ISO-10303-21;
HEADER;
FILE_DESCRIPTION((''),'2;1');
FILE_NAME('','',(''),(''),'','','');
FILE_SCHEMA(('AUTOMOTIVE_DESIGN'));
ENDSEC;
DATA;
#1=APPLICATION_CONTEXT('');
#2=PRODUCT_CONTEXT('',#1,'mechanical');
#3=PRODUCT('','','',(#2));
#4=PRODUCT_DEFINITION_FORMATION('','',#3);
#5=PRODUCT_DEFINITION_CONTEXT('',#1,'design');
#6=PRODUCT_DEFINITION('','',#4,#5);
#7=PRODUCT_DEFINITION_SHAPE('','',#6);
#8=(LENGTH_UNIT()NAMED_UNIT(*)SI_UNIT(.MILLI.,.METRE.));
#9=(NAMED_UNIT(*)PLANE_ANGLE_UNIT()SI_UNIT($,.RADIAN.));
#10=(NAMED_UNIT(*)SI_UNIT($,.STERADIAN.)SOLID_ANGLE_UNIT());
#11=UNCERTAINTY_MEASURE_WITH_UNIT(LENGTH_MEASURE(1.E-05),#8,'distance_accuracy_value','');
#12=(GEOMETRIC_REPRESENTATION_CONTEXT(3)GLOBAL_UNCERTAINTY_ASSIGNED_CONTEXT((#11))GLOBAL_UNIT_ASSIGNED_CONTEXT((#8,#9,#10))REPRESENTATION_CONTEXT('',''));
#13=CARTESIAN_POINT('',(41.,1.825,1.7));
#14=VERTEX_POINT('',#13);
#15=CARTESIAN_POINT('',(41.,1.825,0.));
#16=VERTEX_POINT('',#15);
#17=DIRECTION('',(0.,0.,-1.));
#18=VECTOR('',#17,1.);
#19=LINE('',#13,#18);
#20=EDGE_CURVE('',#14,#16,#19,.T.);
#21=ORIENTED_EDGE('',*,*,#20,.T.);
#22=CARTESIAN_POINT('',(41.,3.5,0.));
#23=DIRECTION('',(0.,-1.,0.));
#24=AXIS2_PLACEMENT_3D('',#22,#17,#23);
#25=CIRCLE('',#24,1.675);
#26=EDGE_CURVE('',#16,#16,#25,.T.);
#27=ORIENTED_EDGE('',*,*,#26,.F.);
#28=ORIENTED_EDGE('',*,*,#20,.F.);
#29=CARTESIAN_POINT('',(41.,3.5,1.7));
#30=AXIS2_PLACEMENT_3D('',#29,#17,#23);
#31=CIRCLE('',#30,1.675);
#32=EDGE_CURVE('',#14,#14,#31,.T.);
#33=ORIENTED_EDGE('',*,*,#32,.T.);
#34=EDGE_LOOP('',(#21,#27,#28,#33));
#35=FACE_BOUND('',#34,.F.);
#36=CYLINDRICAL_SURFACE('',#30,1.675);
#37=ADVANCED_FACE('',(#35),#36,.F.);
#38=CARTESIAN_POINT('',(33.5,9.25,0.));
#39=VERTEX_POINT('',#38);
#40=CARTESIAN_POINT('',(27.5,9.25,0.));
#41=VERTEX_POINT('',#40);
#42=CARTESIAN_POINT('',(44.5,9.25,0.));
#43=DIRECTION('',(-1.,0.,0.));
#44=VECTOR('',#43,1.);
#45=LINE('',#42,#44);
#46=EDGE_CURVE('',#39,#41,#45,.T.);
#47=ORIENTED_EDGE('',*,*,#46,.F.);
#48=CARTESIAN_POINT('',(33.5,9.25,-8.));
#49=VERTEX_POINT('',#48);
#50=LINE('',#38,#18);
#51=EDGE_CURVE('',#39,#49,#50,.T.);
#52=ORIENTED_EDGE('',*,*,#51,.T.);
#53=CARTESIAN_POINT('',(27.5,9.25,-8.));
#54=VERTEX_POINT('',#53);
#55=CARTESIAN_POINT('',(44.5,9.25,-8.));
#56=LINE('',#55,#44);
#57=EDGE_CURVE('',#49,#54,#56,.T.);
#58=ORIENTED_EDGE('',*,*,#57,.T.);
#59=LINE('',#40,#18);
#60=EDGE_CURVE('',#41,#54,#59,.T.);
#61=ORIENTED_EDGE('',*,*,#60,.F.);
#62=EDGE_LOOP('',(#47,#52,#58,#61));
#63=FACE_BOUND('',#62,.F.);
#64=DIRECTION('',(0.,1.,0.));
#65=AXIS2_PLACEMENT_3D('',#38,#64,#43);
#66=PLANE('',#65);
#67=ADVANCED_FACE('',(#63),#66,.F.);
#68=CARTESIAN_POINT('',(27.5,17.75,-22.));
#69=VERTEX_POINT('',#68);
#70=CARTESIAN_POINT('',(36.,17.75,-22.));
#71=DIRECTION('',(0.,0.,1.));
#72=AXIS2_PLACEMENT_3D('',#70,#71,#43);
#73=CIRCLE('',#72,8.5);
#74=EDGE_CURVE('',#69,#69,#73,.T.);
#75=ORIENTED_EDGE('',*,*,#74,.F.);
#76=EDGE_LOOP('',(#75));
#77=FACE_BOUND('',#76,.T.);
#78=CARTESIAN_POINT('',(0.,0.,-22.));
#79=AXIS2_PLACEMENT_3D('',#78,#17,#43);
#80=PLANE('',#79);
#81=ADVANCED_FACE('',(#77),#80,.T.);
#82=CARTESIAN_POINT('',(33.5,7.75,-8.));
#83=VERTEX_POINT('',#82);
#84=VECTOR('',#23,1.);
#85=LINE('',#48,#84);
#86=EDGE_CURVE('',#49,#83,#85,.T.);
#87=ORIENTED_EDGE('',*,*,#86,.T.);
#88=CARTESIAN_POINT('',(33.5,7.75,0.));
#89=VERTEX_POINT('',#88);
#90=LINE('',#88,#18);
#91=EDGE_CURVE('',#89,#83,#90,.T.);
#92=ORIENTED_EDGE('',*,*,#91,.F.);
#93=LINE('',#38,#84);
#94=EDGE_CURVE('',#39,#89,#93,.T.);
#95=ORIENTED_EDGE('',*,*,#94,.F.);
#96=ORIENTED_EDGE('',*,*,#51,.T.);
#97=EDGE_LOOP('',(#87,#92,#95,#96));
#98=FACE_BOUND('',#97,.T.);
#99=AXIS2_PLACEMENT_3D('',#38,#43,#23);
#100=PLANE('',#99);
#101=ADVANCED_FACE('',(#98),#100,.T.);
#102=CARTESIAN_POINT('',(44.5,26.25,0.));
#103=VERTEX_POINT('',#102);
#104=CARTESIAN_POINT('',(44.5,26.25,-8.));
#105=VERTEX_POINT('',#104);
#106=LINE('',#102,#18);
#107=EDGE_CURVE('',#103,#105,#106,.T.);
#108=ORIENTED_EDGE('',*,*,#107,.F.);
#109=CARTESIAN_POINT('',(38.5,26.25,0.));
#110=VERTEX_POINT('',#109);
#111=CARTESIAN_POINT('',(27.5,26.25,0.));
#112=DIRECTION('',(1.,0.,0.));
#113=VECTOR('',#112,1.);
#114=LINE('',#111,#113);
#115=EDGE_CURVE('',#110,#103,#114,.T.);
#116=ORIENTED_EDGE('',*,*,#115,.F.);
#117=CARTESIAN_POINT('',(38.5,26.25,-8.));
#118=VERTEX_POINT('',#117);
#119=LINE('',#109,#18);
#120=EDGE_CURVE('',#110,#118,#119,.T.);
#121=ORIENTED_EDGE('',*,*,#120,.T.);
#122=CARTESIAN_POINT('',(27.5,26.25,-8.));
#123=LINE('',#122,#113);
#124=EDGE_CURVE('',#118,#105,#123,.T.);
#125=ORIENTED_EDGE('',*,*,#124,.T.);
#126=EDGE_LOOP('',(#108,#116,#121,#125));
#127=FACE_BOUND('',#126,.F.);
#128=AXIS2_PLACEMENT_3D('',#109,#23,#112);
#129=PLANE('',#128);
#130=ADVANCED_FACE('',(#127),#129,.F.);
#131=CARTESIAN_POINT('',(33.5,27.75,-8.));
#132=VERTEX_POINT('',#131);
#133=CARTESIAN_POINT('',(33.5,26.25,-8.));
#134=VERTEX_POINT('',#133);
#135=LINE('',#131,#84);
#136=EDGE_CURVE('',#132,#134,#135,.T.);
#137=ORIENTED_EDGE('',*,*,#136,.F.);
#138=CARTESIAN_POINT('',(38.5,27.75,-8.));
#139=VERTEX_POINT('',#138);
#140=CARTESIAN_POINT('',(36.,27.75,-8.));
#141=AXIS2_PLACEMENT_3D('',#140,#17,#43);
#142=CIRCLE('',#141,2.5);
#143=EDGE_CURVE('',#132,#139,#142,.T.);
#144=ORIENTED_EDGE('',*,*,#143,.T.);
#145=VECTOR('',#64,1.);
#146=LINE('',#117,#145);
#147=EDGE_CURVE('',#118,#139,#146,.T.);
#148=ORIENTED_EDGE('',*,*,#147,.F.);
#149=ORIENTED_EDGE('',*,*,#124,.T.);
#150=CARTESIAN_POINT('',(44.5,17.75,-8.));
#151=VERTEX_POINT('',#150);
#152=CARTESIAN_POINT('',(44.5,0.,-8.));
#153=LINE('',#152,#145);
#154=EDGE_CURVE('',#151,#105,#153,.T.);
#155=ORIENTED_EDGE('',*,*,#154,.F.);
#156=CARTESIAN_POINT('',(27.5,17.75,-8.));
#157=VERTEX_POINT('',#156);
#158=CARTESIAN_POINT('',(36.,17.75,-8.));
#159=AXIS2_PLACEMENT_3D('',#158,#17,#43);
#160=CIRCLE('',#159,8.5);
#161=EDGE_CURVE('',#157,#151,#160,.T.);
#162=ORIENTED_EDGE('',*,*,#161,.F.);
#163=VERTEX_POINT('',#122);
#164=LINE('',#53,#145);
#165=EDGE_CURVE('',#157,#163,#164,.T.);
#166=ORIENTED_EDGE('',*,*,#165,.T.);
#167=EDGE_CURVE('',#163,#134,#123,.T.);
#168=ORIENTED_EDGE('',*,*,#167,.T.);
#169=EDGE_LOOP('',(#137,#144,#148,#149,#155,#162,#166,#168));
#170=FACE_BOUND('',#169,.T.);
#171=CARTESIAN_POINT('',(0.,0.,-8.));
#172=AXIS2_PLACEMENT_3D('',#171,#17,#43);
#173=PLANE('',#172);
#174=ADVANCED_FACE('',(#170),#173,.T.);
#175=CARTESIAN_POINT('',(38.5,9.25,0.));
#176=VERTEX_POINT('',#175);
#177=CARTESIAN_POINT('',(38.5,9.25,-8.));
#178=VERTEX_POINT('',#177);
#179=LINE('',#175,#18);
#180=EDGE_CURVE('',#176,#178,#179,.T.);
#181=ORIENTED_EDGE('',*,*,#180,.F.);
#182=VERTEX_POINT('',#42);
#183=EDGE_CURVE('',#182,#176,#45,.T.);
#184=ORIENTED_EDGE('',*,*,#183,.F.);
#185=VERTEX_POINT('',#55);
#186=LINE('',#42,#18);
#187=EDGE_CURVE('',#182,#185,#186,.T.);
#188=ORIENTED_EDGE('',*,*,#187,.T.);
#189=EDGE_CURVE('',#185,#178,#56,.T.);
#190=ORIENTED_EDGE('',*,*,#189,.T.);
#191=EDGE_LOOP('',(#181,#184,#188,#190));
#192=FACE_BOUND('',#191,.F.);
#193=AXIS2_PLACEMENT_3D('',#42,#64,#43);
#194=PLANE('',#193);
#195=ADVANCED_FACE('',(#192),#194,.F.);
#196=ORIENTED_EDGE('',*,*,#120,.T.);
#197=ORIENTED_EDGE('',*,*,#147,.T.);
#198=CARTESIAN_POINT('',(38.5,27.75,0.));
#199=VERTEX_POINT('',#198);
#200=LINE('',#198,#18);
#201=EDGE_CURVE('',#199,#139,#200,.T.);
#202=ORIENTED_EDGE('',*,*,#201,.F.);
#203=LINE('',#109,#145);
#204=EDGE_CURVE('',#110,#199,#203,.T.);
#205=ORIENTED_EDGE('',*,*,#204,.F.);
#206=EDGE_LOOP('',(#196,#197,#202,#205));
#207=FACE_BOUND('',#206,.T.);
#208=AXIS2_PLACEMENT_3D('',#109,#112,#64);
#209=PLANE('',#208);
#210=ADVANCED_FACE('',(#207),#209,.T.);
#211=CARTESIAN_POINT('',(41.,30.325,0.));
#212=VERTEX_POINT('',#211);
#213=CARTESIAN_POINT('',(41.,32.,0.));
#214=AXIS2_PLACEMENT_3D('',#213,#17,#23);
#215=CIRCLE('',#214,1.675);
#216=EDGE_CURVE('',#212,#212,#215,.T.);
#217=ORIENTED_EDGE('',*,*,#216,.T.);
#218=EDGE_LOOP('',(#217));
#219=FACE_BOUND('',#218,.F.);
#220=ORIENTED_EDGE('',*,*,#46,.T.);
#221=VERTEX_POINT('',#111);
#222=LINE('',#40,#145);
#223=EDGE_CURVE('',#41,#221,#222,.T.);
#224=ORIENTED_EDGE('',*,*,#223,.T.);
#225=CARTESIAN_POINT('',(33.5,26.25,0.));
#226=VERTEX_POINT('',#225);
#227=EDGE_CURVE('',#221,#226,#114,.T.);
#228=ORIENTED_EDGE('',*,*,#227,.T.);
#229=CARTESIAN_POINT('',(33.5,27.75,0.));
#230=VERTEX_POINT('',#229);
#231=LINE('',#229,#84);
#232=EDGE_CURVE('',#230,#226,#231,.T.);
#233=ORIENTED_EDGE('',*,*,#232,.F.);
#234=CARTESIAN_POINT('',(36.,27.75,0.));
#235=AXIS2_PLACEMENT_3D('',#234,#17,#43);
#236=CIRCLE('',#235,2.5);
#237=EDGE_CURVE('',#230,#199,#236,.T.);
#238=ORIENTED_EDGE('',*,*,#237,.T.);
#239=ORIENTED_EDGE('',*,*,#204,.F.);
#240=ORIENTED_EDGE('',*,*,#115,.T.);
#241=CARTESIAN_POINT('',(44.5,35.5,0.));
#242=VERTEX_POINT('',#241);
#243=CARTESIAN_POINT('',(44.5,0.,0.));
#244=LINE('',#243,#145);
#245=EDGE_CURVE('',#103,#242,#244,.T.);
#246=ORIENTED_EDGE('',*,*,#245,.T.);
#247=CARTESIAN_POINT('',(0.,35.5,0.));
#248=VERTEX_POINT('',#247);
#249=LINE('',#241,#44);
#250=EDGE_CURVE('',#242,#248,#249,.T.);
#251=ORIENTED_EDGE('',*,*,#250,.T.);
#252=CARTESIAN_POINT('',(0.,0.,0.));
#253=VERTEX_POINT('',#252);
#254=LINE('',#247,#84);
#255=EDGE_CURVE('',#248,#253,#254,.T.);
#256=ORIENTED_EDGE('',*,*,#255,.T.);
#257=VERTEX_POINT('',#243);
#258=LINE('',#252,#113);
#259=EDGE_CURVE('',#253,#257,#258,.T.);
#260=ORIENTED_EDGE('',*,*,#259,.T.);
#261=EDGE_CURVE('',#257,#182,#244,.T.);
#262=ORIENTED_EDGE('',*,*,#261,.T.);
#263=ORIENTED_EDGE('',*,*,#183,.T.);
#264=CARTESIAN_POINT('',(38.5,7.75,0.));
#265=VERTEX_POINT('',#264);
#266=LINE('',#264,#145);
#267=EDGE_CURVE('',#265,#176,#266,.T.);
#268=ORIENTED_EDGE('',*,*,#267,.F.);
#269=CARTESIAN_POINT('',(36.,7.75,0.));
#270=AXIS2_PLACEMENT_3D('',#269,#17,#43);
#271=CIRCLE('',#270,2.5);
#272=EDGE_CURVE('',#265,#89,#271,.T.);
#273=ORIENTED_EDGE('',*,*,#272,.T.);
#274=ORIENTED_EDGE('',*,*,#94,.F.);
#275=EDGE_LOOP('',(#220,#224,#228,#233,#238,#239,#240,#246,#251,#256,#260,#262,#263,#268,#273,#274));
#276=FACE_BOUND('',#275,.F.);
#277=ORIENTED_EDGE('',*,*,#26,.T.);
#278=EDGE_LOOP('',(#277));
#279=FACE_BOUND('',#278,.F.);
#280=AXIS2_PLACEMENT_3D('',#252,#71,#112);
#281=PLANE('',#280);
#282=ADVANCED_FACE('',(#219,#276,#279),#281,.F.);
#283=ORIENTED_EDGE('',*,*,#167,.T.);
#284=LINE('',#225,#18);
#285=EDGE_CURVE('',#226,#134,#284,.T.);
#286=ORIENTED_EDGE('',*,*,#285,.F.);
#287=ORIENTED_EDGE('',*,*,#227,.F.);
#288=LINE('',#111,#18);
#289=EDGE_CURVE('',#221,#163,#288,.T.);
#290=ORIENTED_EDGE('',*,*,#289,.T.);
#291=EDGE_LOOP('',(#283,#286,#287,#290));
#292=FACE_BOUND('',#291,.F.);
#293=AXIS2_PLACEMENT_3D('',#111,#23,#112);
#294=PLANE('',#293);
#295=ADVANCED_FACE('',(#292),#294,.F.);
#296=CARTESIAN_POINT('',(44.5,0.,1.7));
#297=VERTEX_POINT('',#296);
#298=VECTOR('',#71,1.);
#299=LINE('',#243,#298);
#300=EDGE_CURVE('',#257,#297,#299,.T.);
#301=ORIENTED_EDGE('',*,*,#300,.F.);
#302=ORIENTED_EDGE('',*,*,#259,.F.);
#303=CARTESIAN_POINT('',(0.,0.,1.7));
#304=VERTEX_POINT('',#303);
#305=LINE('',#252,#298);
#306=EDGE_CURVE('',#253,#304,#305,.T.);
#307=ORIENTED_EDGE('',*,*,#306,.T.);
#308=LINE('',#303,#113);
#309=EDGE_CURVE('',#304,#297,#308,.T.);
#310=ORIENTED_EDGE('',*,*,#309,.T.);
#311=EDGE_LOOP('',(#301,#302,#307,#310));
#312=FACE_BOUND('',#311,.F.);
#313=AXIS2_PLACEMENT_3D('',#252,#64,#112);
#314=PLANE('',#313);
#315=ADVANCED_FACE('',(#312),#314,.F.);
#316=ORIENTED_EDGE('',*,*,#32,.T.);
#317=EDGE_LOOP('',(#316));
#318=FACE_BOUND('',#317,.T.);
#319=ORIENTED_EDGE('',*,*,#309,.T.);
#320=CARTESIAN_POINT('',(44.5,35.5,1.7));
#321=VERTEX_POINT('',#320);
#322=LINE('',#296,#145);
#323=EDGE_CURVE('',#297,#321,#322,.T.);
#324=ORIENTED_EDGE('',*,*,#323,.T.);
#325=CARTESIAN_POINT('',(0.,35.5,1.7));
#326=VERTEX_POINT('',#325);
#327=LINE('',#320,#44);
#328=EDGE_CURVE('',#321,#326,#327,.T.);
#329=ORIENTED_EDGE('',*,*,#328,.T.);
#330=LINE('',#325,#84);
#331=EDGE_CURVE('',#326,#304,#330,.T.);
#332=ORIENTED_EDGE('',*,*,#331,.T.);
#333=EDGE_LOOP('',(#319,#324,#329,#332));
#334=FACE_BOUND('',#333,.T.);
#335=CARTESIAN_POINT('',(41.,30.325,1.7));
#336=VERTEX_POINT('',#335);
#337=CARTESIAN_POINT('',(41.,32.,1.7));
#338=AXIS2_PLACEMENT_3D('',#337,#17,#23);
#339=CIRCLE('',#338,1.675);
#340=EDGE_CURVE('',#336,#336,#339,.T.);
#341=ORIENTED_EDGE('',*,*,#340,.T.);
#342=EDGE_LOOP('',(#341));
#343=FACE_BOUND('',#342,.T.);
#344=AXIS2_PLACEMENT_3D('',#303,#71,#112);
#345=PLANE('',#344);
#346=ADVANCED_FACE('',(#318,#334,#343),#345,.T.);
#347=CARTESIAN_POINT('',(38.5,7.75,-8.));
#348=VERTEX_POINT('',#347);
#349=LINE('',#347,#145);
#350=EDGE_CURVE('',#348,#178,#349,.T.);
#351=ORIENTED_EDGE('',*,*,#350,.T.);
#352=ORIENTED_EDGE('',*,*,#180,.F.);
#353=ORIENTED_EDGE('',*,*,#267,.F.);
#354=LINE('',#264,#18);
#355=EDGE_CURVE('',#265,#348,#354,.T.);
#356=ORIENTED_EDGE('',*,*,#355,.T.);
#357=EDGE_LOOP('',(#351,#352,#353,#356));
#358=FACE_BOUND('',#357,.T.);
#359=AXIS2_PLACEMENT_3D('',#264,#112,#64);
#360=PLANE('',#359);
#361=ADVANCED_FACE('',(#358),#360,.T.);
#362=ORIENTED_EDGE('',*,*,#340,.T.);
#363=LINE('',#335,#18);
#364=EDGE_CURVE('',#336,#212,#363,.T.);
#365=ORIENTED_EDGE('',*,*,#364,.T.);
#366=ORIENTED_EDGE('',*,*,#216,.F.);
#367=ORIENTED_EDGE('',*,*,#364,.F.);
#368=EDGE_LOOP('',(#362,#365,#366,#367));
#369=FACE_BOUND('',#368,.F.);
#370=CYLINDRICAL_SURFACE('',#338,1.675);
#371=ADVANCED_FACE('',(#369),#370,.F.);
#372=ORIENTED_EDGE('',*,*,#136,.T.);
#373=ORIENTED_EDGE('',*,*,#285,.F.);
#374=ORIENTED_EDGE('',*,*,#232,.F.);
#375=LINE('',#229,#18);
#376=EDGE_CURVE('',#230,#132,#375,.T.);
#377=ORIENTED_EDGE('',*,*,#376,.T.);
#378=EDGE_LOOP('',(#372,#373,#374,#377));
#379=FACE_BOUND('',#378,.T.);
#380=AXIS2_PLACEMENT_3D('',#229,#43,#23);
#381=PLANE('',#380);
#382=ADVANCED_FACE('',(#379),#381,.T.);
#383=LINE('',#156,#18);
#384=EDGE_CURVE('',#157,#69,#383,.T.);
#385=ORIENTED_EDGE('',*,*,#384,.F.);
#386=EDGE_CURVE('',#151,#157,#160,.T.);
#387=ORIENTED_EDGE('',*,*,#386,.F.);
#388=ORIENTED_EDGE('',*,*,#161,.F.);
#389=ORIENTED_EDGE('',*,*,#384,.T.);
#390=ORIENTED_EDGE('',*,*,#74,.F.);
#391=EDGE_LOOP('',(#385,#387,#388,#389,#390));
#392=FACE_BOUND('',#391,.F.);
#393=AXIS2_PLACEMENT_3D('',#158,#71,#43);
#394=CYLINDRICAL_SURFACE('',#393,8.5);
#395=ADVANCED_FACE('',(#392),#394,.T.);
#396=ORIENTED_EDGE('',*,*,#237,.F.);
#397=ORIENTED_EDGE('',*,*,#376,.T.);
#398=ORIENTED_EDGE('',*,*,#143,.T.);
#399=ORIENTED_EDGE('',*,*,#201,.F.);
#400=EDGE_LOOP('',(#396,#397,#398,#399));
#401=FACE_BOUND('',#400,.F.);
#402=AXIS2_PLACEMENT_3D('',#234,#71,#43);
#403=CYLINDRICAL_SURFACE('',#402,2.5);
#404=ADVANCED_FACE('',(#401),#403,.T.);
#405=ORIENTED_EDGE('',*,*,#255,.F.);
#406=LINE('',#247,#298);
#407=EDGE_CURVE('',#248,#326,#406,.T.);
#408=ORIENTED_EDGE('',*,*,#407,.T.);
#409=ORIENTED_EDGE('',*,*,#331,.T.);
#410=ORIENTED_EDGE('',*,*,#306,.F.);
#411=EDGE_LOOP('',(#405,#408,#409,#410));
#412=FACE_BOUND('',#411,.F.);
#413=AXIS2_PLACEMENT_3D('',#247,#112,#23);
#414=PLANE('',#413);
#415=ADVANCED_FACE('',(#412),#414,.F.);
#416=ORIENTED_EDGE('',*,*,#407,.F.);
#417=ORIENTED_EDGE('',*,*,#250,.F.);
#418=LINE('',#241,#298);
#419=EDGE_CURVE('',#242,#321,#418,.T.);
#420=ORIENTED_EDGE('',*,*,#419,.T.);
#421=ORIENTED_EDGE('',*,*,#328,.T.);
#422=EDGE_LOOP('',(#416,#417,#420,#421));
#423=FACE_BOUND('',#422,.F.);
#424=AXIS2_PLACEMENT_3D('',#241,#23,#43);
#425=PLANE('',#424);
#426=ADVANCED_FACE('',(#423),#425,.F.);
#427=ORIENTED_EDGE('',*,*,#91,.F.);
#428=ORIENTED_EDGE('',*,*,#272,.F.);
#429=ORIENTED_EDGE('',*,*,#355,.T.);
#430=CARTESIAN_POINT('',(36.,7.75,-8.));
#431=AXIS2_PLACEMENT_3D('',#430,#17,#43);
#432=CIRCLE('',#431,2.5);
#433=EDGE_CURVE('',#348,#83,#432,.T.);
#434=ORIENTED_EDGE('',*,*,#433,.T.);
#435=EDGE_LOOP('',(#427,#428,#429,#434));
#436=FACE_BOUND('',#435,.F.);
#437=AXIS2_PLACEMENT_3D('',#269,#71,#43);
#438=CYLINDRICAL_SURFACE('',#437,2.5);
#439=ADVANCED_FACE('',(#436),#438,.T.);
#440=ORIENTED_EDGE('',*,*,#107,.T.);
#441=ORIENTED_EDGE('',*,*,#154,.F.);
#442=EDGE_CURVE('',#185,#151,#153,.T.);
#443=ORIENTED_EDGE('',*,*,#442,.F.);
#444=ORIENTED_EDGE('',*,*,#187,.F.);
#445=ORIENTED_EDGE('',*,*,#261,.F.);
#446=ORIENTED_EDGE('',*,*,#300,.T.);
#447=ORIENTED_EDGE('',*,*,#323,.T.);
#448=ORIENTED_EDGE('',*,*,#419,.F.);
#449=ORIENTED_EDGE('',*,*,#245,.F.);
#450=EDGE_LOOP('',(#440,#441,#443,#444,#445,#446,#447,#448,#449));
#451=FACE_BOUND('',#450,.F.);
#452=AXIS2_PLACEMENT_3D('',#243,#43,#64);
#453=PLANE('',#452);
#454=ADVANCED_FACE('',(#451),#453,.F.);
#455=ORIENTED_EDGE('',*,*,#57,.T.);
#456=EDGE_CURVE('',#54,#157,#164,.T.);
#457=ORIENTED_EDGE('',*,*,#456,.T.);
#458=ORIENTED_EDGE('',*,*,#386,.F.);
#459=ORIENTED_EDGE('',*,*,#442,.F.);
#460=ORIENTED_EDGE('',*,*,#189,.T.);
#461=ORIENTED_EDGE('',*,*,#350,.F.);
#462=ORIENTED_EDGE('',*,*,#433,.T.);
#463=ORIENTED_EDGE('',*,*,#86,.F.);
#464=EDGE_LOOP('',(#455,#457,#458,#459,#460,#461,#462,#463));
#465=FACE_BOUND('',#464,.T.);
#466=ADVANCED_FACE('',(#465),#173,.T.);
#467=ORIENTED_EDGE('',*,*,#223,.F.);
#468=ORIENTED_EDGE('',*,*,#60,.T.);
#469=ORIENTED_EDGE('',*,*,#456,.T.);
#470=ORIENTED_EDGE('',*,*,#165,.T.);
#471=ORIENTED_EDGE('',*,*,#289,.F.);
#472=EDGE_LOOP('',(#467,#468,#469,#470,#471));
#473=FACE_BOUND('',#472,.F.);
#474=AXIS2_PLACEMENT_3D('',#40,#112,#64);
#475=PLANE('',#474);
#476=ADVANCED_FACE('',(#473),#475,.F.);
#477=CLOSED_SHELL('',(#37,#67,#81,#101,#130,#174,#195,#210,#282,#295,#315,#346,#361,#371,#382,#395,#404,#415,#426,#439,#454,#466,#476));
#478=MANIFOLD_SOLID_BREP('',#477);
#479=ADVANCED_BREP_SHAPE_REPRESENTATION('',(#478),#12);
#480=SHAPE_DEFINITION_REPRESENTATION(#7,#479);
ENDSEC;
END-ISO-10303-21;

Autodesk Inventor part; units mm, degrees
ref_plane "YZ Plane" through (0, 0, 0) normal (1, 0, 0) x (0, 1, 0)
ref_plane "XZ Plane" through (0, 0, 0) normal (0, 1, 0) x (-1, 0, 0)
ref_plane "XY Plane" through (0, 0, 0) normal (0, 0, 1) x (1, 0, 0)
sketch "Эскиз1" plane through (0, 0, 0) normal (0, 0, 1) x (1, 0, 0)
  line L0 (0, 0) -> (44.5, 0)
  line L1 (44.5, 0) -> (44.5, 35.5)
  line L2 (44.5, 35.5) -> (0, 35.5)
  line L3 (0, 35.5) -> (0, 0)
  dimension "d0" = 44.5
  dimension "d1" = 35.5
extrude "Выдавливание1" add sketch "Эскиз1" along normal blind 1.7
sketch "Эскиз2" plane through (0, 0, 1.7) normal (0, 0, 1) x (1, 0, 0)
  line L0 (0, 0) -> (44.5, 0) projected
  line L1 (44.5, 0) -> (44.5, 3.5)
  line L2 (44.5, 0) -> (44.5, 35.5) projected
  line L3 (44.5, 3.5) -> (41, 3.5)
  line L4 (44.5, 35.5) -> (44.5, 32)
  line L5 (44.5, 32) -> (41, 32)
  dimension "d4" = 3.5
  dimension "d5" = 3.5
  dimension "d6" = 3.5
  dimension "d7" = 3.5
hole "Отверстие1" at (41, 32, 1.7) at (41, 3.5, 1.7) direction (0, 0, -1) diameter 3.35 depth 15
sketch "Эскиз3" plane through (0, 0, 0) normal (0, 0, -1) x (-1, 0, 0)
  line L0 (-44.5, 0) -> (-44.5, 35.5) projected
  line L1 (-44.5, 0) -> (-44.5, 9.25)
  line L2 (-44.5, 9.25) -> (-27.5, 9.25)
  line L3 (-27.5, 9.25) -> (-27.5, 26.25)
  line L4 (-27.5, 26.25) -> (-44.5, 26.25)
  line L5 (-44.5, 26.25) -> (-44.5, 9.25)
  line L6 (-36, 26.25) -> (-36, 27.75)
  line L7 (-36, 9.25) -> (-36, 7.75)
  circle A0 centre (-36, 7.75) radius 2.5
  circle A1 centre (-36, 27.75) radius 2.5
  line L8 (-38.5, 27.75) -> (-33.5, 27.75)
  line L9 (-33.5, 27.75) -> (-33.5, 26.25)
  line L10 (-33.5, 26.25) -> (-38.5, 26.25)
  line L11 (-38.5, 26.25) -> (-38.5, 27.75)
  line L12 (-33.5, 7.75) -> (-38.5, 7.75)
  line L13 (-38.5, 7.75) -> (-38.5, 9.25)
  line L14 (-38.5, 9.25) -> (-33.5, 9.25)
  line L15 (-33.5, 9.25) -> (-33.5, 7.75)
  point P0 (0, 0)
  dimension "d20" = 5
  dimension "d21" = 5
  dimension "d15" = 9.25
  dimension "d16" = 17
  dimension "d17" = 17
  dimension "d18" = 1.5
  dimension "d19" = 1.5
extrude "Выдавливание2" add sketch "Эскиз3" along normal blind 8
sketch "Эскиз4" plane through (0, 0, -8) normal (0, 0, -1) x (-1, 0, 0)
  line L0 (-44.5, 0) -> (-44.5, 35.5) projected
  line L1 (-44.5, 17.75) -> (-27.5, 17.75)
  line L2 (-27.5, 26.25) -> (-27.5, 9.25) projected
  circle A0 centre (-36, 17.75) radius 8.5
  point P0 (0, 0)
extrude "Выдавливание3" add sketch "Эскиз4" along normal blind 14
equation "\"d4\" = d6"
equation "\"d5\" = d6"
equation "\"d7\" = d6"
properties part number "Техническое зрение OpenMV"
